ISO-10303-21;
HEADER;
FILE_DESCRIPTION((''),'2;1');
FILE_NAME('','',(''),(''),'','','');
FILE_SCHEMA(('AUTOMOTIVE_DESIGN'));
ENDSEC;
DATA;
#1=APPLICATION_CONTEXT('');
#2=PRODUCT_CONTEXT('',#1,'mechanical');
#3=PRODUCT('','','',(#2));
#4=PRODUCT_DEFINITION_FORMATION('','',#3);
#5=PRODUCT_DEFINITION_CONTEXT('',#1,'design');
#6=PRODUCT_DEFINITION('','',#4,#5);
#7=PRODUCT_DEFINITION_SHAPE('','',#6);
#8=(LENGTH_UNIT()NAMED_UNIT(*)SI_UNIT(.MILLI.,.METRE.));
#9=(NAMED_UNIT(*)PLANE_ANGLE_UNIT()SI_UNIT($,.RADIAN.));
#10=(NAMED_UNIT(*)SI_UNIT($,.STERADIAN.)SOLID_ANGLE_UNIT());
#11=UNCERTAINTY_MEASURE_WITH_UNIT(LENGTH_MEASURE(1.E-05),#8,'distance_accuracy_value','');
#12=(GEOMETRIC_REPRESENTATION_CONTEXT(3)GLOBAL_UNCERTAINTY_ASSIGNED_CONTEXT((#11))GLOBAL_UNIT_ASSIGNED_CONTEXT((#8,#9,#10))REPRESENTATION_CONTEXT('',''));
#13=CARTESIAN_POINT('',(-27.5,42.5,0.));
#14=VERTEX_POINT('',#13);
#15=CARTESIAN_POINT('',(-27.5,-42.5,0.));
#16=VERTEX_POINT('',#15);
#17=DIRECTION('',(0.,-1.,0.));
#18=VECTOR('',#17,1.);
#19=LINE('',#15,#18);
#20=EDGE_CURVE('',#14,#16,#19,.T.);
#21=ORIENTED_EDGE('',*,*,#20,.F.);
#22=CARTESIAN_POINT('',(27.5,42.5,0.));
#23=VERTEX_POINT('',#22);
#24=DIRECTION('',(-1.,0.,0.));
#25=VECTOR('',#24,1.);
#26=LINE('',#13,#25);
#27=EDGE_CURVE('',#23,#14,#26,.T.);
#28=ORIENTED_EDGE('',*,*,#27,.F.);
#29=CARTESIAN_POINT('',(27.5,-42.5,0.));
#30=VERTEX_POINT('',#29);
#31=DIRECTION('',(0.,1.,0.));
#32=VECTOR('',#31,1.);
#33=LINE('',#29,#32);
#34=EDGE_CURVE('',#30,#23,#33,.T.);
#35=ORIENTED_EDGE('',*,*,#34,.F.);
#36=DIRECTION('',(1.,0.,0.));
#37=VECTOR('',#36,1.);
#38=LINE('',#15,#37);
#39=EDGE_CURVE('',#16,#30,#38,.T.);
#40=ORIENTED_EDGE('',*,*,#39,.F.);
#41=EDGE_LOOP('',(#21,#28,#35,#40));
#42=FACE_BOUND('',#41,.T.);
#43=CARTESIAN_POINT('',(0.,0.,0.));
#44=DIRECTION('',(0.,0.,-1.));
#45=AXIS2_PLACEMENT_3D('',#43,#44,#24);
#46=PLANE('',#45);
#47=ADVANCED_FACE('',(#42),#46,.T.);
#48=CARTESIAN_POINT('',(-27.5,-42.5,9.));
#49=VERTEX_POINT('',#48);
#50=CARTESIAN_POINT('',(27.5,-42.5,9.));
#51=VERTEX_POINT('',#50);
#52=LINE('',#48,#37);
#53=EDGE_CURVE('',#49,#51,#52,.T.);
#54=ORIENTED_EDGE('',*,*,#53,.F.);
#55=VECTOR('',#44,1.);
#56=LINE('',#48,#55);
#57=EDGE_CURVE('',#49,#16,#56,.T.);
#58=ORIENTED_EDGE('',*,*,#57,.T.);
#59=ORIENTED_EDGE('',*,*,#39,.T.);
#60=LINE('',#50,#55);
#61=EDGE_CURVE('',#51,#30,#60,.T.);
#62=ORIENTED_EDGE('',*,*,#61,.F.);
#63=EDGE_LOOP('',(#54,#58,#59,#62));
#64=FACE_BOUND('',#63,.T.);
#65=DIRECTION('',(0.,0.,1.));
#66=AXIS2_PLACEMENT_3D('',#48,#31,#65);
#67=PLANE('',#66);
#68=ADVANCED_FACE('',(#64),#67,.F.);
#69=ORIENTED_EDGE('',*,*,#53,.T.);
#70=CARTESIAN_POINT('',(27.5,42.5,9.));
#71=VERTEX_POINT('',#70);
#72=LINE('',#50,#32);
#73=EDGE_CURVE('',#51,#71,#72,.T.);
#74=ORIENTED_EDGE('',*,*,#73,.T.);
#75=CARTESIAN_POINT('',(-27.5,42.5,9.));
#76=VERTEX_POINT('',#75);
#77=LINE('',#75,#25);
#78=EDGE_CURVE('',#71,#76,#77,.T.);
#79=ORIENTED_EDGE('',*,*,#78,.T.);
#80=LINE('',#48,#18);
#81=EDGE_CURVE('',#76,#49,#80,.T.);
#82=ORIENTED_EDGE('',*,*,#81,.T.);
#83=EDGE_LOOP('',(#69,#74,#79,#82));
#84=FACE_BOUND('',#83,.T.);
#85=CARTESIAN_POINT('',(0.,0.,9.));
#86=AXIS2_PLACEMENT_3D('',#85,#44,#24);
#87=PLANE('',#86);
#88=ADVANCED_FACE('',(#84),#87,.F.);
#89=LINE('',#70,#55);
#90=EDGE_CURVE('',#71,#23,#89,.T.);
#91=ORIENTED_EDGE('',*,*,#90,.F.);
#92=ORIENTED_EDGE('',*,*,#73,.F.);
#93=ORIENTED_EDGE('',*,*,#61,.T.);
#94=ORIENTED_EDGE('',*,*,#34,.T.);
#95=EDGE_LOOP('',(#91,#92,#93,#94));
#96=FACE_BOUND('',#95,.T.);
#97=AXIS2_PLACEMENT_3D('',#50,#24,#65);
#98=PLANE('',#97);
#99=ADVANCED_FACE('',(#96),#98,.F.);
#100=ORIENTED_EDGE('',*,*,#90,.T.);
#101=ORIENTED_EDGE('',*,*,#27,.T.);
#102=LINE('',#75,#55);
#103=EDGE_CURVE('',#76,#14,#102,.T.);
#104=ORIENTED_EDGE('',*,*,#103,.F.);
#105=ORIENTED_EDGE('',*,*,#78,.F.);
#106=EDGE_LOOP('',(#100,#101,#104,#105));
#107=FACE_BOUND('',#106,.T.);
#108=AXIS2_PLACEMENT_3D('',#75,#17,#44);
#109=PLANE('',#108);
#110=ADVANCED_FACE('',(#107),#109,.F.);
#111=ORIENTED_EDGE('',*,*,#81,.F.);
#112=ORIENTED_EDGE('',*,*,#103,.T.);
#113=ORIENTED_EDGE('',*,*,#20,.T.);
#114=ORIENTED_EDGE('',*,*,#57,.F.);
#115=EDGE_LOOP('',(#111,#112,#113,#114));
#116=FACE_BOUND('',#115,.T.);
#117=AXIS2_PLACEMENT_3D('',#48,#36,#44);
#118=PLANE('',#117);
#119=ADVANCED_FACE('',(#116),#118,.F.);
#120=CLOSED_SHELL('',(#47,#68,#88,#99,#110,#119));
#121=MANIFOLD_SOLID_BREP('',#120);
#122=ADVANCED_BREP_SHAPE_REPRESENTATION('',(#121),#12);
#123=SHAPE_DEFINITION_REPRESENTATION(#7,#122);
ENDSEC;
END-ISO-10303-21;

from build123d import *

# Parameters (mm, degrees)
ESQUISSE1_W        = 55
ESQUISSE1_H        = 85
BOSS_EXTRU_1_DEPTH = 9


with BuildPart() as part:
    # Esquisse1 → Boss.-Extru.1 (new body)
    with BuildSketch(Plane.XY):
        Rectangle(ESQUISSE1_W, ESQUISSE1_H)
    extrude(amount=BOSS_EXTRU_1_DEPTH)


solid = part.part
